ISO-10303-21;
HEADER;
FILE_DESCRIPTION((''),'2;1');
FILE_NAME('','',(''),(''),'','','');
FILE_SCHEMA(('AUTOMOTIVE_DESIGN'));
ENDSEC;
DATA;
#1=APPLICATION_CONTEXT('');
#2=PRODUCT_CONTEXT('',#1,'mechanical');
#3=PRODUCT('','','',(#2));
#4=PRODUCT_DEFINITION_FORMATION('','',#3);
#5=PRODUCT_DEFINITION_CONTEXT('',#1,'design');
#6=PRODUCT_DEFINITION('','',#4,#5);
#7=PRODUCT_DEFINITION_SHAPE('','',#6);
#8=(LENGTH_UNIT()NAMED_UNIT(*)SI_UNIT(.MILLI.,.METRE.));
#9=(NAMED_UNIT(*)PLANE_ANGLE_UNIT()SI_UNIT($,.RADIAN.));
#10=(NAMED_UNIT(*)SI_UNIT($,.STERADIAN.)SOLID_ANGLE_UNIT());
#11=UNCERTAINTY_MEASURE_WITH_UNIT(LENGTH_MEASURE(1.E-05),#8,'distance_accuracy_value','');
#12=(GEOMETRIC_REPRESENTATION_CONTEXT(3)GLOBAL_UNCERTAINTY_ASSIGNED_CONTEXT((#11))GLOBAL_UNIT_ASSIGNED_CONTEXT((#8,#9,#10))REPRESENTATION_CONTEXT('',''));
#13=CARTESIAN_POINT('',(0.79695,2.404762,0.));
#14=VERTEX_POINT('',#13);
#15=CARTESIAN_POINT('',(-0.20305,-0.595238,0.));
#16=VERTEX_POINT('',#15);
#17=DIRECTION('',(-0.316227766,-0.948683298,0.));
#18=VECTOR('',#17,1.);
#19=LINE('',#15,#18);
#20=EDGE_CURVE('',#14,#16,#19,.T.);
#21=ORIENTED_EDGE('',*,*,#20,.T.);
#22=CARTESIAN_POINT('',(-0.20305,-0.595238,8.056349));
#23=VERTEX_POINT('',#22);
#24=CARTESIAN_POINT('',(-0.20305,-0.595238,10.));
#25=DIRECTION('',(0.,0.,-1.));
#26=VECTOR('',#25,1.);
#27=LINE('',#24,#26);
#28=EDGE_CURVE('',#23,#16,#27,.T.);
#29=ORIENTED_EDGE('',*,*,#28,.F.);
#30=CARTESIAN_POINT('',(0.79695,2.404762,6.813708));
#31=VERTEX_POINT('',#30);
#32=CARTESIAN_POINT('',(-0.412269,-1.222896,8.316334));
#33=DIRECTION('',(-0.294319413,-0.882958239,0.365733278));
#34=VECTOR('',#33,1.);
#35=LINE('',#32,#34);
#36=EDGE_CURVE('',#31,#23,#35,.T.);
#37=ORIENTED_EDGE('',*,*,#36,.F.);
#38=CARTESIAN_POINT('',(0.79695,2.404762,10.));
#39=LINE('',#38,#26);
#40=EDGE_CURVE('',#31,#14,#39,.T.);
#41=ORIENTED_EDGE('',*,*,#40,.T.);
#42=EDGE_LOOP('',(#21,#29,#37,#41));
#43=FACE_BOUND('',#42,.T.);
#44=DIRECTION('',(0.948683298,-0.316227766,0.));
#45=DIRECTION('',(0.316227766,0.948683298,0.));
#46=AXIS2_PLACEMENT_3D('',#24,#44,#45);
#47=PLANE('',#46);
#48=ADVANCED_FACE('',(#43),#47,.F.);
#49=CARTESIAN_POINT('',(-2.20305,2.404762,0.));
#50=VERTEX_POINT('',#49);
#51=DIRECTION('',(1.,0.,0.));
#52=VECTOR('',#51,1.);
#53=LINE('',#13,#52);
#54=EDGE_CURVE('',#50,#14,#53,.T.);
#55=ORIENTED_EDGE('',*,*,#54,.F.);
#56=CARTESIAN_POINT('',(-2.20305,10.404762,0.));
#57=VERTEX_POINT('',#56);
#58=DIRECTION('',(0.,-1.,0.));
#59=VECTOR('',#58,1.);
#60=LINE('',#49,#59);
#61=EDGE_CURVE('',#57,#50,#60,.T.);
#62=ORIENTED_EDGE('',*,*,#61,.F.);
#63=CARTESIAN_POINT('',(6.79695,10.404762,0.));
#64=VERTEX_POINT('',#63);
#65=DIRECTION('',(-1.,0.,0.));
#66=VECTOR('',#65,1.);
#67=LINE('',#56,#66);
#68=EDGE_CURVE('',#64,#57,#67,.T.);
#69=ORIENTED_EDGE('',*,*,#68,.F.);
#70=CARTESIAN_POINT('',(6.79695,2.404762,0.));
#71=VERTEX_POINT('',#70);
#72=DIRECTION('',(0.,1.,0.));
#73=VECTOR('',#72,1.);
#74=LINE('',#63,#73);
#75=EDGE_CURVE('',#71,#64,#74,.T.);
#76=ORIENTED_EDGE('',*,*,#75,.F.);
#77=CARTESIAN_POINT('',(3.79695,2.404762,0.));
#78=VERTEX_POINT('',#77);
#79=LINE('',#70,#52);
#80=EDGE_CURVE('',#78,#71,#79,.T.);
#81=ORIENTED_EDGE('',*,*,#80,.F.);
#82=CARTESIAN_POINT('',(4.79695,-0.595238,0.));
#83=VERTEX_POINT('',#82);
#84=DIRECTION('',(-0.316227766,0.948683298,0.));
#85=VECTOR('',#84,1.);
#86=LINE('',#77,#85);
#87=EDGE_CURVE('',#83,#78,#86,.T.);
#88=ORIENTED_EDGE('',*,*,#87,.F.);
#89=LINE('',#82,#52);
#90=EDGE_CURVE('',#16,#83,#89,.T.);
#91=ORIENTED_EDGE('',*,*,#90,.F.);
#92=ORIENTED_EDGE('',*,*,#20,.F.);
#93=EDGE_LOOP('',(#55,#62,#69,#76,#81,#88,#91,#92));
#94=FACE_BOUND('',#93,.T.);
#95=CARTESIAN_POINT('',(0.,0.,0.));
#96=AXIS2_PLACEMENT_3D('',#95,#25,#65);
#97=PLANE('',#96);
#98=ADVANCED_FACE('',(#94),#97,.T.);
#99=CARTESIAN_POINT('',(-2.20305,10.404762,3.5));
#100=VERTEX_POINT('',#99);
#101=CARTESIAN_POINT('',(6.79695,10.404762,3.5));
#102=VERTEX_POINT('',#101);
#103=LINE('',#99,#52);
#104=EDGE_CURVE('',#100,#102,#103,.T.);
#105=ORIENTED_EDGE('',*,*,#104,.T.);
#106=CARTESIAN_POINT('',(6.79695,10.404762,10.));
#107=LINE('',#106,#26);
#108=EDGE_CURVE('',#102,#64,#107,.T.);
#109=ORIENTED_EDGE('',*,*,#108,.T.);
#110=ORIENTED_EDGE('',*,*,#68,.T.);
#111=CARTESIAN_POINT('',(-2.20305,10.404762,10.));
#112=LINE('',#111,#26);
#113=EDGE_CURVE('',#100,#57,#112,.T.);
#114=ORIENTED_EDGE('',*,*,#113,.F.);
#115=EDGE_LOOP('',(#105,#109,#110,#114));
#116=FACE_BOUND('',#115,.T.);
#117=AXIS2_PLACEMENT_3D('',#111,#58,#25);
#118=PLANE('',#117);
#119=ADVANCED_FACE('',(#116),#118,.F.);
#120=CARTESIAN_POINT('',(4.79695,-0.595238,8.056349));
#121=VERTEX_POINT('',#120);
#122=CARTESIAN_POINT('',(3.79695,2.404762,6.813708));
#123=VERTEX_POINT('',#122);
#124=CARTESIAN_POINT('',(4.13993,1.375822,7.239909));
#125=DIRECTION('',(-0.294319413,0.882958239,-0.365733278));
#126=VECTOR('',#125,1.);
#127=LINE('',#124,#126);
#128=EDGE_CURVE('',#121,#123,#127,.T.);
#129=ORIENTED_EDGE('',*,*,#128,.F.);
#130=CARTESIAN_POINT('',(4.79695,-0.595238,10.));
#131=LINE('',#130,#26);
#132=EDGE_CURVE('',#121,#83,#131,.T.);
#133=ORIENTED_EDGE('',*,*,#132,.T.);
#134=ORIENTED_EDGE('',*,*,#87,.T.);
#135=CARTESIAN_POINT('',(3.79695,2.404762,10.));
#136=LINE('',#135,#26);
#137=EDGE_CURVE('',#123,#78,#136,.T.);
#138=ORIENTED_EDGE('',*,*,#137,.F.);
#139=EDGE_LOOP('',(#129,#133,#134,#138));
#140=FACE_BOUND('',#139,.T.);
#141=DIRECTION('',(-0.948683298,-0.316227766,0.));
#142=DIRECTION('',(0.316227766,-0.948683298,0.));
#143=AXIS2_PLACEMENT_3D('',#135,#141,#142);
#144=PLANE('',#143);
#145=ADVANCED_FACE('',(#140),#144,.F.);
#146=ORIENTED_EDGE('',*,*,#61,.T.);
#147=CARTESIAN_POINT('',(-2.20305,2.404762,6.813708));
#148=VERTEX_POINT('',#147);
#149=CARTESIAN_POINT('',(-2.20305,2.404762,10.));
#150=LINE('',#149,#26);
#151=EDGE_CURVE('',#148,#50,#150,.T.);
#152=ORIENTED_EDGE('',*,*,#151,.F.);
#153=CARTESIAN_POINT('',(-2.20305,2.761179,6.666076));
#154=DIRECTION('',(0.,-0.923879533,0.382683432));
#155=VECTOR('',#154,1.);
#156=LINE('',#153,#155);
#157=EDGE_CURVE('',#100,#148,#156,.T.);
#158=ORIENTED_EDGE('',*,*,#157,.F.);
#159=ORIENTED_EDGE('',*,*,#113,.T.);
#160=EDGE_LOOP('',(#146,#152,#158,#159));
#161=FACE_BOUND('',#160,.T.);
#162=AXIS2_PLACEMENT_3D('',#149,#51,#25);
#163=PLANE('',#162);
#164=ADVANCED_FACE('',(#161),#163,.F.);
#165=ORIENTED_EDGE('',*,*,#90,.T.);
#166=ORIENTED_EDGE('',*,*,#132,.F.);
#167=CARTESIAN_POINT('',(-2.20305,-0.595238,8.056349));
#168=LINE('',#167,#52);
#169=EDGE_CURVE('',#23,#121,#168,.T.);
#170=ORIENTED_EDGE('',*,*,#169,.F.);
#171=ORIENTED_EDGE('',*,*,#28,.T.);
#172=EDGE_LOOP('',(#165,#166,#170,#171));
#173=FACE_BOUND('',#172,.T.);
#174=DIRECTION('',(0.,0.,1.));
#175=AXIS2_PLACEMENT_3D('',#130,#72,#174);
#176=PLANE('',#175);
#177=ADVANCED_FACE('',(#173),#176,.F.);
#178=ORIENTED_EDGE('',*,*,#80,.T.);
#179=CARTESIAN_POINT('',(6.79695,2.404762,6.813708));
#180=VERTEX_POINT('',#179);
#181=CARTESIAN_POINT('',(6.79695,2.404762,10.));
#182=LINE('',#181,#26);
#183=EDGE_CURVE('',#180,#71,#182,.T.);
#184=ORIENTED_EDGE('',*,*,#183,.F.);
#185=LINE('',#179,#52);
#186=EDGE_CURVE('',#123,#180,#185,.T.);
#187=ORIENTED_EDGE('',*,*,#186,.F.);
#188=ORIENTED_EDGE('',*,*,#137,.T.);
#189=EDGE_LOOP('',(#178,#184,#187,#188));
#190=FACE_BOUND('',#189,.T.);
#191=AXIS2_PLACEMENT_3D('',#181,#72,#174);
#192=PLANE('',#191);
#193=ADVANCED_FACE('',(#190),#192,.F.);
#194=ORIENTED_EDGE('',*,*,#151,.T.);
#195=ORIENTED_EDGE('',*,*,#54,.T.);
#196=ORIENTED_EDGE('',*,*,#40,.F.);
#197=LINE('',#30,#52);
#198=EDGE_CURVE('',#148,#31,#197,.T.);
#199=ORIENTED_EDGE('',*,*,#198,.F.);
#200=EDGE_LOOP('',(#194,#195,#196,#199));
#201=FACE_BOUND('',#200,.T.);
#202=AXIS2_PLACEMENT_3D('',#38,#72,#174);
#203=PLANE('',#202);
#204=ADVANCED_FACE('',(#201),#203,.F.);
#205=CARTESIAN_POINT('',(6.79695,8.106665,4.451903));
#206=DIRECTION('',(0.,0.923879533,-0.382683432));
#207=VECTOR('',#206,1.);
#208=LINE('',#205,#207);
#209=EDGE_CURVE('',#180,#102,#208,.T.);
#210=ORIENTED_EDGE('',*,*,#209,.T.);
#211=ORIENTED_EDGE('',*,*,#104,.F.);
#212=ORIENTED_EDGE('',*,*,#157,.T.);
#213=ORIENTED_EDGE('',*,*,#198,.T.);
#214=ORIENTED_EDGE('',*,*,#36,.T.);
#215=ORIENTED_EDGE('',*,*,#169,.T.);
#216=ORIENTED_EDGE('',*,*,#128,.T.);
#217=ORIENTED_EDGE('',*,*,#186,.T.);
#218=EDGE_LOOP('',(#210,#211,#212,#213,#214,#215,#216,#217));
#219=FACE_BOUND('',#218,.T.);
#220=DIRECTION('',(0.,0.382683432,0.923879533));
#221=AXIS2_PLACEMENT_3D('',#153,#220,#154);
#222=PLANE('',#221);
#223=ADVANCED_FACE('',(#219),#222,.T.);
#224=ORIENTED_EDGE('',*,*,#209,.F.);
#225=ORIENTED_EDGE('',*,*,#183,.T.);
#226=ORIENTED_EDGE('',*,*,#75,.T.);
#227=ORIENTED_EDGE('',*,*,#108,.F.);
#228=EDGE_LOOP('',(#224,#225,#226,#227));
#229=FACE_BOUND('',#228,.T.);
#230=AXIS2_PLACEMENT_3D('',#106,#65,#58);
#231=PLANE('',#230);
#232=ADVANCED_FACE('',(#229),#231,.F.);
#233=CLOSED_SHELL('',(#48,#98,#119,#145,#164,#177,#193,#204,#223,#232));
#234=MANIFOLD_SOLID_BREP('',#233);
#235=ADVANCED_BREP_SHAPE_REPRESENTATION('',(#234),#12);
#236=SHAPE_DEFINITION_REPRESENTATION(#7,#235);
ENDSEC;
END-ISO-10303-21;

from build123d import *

# Parameters (mm, degrees)
BOSS_EXTRUDE1_DEPTH     = 10
CUT_EXTRUDE1_DEPTH      = 18.007618008
CUT_EXTRUDE1_DEPTH_BACK = 18.007618008


with BuildPart() as part:
    # Sketch2 → Boss-Extrude1 (new body)
    with BuildSketch(Plane.XY):
        Polygon((0.796949894, 2.404761905), (-2.203050106, 2.404761905), (-2.203050106, 10.404761905), (6.796949894, 10.404761905), (6.796949894, 2.404761905), (3.796949894, 2.404761905), (4.796949894, -0.595238095), (-0.203050106, -0.595238095), align=None)
    extrude(amount=BOSS_EXTRUDE1_DEPTH)

    # Sketch3 → Cut-Extrude1 (cut, two sides: drawn at the far end of the back side and taken through both)
    with BuildSketch(Plane(origin=(6.796949894, 0, 0), x_dir=(0, 0, -1), z_dir=(1, 0, 0)).offset(-CUT_EXTRUDE1_DEPTH_BACK)):
        Polygon((-3.5, 10.404761905), (-10, 10.404761905), (-10, 2.404761905), (-6.813708499, 2.404761905), align=None)
        Polygon((-6.813708499, 2.404761905), (-10, 2.404761905), (-10, -0.595238095), (-8.056349186, -0.595238095), align=None)
    extrude(amount=CUT_EXTRUDE1_DEPTH + CUT_EXTRUDE1_DEPTH_BACK, mode=Mode.SUBTRACT)


solid = part.part
